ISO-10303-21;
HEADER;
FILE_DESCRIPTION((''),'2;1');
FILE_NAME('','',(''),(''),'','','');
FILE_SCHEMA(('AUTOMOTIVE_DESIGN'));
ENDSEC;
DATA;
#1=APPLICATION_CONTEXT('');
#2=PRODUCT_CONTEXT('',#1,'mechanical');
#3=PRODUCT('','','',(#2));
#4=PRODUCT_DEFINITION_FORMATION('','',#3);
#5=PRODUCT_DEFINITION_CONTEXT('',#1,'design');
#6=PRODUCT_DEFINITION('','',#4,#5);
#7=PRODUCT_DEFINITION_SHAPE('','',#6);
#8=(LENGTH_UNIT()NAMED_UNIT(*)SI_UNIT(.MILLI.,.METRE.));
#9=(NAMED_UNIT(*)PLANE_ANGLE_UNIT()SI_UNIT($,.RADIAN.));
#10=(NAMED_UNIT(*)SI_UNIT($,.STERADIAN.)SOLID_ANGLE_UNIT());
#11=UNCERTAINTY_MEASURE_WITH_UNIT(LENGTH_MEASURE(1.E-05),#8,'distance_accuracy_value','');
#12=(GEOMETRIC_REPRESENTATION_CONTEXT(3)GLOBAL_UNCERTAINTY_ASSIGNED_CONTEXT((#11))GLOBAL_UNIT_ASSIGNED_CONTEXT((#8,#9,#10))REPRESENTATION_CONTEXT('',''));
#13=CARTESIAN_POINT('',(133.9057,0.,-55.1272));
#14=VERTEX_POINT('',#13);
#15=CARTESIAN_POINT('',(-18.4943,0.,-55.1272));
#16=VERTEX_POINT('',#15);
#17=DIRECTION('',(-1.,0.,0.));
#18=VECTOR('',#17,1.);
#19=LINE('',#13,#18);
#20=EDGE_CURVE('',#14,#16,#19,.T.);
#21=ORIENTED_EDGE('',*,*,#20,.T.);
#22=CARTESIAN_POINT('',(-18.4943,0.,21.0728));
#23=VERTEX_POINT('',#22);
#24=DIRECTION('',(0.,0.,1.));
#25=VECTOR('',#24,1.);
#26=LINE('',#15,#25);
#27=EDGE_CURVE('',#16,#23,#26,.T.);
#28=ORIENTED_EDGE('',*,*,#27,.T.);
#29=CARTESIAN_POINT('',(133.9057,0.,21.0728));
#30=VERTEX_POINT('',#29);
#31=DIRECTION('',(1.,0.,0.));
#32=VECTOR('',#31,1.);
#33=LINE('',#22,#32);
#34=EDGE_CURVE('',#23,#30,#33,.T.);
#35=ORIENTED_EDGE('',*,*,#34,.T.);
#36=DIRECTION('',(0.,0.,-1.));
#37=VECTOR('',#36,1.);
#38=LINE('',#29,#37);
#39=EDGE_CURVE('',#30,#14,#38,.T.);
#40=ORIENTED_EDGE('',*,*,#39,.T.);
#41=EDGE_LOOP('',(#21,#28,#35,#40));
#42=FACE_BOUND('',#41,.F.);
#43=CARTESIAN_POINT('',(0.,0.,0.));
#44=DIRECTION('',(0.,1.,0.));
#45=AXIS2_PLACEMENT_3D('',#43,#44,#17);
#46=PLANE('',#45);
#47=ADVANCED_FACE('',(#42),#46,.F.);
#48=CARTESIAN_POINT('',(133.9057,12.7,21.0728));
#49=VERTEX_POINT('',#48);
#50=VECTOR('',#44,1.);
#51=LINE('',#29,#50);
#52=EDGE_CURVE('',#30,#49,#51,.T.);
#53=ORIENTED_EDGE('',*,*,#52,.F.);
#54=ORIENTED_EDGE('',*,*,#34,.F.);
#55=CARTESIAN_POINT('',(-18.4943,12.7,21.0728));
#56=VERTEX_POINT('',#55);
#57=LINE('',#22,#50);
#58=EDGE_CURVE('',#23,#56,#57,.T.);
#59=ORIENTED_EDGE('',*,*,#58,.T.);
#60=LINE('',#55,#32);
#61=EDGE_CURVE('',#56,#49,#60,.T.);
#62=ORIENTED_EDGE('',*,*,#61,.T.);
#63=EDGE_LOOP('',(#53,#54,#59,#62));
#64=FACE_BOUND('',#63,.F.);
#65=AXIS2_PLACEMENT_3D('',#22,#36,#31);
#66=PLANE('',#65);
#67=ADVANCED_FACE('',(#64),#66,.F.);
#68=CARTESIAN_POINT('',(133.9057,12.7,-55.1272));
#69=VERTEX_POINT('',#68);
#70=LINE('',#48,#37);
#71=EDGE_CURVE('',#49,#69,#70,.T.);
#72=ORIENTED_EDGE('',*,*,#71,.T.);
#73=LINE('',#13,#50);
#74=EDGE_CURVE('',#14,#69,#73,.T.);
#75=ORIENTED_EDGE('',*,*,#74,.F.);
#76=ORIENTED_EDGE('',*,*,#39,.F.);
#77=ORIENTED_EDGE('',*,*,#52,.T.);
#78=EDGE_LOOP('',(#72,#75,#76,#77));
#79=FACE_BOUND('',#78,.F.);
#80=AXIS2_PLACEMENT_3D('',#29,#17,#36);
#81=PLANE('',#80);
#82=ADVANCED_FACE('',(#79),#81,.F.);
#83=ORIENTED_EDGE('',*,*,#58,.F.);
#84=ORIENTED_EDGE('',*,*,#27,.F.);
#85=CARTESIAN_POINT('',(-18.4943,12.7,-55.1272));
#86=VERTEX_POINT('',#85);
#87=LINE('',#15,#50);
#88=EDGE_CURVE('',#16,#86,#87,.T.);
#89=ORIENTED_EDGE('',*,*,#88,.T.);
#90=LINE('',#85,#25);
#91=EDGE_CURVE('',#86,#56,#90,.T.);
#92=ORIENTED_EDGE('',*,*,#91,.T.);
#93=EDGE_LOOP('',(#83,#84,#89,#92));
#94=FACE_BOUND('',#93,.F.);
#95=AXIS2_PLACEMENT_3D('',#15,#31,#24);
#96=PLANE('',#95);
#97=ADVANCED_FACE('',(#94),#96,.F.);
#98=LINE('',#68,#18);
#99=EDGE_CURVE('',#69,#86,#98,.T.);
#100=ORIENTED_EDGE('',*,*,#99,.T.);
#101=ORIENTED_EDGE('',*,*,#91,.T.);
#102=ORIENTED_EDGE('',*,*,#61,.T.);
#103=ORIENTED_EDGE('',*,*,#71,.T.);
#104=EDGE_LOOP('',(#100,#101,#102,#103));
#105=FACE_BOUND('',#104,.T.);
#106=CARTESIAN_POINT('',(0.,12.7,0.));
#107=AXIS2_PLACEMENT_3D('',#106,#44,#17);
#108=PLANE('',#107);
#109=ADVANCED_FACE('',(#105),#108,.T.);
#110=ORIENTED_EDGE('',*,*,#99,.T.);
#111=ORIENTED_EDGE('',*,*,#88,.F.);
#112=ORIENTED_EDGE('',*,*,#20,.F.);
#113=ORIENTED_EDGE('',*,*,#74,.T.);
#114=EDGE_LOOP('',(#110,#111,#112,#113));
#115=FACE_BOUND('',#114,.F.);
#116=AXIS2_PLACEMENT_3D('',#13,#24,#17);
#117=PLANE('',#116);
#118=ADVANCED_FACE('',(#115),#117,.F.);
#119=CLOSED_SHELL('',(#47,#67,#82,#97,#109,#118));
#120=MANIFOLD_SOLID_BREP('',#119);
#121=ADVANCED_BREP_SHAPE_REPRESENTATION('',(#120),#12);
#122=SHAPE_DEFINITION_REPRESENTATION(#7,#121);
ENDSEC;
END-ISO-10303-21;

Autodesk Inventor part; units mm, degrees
ref_plane "YZ Plane" through (0, 0, 0) normal (1, 0, 0) x (0, 1, 0)
ref_plane "XZ Plane" through (0, 0, 0) normal (0, 1, 0) x (-1, 0, 0)
ref_plane "XY Plane" through (0, 0, 0) normal (0, 0, 1) x (1, 0, 0)
sketch "Sketch1" plane through (0, 0, 0) normal (0, 1, 0) x (-1, 0, 0)
  line L0 (18.4943, 21.0728) -> (-133.9057, 21.0728)
  line L1 (-133.9057, 21.0728) -> (-133.9057, -55.1272)
  line L2 (-133.9057, -55.1272) -> (18.4943, -55.1272)
  line L3 (18.4943, -55.1272) -> (18.4943, 21.0728)
  point P0 (0, 0)
  dimension "d0" = 76.2
  dimension "d1" = 152.4
extrude "Extrusion1" add sketch "Sketch1" along normal blind 12.7
properties part number "peg toy side"
